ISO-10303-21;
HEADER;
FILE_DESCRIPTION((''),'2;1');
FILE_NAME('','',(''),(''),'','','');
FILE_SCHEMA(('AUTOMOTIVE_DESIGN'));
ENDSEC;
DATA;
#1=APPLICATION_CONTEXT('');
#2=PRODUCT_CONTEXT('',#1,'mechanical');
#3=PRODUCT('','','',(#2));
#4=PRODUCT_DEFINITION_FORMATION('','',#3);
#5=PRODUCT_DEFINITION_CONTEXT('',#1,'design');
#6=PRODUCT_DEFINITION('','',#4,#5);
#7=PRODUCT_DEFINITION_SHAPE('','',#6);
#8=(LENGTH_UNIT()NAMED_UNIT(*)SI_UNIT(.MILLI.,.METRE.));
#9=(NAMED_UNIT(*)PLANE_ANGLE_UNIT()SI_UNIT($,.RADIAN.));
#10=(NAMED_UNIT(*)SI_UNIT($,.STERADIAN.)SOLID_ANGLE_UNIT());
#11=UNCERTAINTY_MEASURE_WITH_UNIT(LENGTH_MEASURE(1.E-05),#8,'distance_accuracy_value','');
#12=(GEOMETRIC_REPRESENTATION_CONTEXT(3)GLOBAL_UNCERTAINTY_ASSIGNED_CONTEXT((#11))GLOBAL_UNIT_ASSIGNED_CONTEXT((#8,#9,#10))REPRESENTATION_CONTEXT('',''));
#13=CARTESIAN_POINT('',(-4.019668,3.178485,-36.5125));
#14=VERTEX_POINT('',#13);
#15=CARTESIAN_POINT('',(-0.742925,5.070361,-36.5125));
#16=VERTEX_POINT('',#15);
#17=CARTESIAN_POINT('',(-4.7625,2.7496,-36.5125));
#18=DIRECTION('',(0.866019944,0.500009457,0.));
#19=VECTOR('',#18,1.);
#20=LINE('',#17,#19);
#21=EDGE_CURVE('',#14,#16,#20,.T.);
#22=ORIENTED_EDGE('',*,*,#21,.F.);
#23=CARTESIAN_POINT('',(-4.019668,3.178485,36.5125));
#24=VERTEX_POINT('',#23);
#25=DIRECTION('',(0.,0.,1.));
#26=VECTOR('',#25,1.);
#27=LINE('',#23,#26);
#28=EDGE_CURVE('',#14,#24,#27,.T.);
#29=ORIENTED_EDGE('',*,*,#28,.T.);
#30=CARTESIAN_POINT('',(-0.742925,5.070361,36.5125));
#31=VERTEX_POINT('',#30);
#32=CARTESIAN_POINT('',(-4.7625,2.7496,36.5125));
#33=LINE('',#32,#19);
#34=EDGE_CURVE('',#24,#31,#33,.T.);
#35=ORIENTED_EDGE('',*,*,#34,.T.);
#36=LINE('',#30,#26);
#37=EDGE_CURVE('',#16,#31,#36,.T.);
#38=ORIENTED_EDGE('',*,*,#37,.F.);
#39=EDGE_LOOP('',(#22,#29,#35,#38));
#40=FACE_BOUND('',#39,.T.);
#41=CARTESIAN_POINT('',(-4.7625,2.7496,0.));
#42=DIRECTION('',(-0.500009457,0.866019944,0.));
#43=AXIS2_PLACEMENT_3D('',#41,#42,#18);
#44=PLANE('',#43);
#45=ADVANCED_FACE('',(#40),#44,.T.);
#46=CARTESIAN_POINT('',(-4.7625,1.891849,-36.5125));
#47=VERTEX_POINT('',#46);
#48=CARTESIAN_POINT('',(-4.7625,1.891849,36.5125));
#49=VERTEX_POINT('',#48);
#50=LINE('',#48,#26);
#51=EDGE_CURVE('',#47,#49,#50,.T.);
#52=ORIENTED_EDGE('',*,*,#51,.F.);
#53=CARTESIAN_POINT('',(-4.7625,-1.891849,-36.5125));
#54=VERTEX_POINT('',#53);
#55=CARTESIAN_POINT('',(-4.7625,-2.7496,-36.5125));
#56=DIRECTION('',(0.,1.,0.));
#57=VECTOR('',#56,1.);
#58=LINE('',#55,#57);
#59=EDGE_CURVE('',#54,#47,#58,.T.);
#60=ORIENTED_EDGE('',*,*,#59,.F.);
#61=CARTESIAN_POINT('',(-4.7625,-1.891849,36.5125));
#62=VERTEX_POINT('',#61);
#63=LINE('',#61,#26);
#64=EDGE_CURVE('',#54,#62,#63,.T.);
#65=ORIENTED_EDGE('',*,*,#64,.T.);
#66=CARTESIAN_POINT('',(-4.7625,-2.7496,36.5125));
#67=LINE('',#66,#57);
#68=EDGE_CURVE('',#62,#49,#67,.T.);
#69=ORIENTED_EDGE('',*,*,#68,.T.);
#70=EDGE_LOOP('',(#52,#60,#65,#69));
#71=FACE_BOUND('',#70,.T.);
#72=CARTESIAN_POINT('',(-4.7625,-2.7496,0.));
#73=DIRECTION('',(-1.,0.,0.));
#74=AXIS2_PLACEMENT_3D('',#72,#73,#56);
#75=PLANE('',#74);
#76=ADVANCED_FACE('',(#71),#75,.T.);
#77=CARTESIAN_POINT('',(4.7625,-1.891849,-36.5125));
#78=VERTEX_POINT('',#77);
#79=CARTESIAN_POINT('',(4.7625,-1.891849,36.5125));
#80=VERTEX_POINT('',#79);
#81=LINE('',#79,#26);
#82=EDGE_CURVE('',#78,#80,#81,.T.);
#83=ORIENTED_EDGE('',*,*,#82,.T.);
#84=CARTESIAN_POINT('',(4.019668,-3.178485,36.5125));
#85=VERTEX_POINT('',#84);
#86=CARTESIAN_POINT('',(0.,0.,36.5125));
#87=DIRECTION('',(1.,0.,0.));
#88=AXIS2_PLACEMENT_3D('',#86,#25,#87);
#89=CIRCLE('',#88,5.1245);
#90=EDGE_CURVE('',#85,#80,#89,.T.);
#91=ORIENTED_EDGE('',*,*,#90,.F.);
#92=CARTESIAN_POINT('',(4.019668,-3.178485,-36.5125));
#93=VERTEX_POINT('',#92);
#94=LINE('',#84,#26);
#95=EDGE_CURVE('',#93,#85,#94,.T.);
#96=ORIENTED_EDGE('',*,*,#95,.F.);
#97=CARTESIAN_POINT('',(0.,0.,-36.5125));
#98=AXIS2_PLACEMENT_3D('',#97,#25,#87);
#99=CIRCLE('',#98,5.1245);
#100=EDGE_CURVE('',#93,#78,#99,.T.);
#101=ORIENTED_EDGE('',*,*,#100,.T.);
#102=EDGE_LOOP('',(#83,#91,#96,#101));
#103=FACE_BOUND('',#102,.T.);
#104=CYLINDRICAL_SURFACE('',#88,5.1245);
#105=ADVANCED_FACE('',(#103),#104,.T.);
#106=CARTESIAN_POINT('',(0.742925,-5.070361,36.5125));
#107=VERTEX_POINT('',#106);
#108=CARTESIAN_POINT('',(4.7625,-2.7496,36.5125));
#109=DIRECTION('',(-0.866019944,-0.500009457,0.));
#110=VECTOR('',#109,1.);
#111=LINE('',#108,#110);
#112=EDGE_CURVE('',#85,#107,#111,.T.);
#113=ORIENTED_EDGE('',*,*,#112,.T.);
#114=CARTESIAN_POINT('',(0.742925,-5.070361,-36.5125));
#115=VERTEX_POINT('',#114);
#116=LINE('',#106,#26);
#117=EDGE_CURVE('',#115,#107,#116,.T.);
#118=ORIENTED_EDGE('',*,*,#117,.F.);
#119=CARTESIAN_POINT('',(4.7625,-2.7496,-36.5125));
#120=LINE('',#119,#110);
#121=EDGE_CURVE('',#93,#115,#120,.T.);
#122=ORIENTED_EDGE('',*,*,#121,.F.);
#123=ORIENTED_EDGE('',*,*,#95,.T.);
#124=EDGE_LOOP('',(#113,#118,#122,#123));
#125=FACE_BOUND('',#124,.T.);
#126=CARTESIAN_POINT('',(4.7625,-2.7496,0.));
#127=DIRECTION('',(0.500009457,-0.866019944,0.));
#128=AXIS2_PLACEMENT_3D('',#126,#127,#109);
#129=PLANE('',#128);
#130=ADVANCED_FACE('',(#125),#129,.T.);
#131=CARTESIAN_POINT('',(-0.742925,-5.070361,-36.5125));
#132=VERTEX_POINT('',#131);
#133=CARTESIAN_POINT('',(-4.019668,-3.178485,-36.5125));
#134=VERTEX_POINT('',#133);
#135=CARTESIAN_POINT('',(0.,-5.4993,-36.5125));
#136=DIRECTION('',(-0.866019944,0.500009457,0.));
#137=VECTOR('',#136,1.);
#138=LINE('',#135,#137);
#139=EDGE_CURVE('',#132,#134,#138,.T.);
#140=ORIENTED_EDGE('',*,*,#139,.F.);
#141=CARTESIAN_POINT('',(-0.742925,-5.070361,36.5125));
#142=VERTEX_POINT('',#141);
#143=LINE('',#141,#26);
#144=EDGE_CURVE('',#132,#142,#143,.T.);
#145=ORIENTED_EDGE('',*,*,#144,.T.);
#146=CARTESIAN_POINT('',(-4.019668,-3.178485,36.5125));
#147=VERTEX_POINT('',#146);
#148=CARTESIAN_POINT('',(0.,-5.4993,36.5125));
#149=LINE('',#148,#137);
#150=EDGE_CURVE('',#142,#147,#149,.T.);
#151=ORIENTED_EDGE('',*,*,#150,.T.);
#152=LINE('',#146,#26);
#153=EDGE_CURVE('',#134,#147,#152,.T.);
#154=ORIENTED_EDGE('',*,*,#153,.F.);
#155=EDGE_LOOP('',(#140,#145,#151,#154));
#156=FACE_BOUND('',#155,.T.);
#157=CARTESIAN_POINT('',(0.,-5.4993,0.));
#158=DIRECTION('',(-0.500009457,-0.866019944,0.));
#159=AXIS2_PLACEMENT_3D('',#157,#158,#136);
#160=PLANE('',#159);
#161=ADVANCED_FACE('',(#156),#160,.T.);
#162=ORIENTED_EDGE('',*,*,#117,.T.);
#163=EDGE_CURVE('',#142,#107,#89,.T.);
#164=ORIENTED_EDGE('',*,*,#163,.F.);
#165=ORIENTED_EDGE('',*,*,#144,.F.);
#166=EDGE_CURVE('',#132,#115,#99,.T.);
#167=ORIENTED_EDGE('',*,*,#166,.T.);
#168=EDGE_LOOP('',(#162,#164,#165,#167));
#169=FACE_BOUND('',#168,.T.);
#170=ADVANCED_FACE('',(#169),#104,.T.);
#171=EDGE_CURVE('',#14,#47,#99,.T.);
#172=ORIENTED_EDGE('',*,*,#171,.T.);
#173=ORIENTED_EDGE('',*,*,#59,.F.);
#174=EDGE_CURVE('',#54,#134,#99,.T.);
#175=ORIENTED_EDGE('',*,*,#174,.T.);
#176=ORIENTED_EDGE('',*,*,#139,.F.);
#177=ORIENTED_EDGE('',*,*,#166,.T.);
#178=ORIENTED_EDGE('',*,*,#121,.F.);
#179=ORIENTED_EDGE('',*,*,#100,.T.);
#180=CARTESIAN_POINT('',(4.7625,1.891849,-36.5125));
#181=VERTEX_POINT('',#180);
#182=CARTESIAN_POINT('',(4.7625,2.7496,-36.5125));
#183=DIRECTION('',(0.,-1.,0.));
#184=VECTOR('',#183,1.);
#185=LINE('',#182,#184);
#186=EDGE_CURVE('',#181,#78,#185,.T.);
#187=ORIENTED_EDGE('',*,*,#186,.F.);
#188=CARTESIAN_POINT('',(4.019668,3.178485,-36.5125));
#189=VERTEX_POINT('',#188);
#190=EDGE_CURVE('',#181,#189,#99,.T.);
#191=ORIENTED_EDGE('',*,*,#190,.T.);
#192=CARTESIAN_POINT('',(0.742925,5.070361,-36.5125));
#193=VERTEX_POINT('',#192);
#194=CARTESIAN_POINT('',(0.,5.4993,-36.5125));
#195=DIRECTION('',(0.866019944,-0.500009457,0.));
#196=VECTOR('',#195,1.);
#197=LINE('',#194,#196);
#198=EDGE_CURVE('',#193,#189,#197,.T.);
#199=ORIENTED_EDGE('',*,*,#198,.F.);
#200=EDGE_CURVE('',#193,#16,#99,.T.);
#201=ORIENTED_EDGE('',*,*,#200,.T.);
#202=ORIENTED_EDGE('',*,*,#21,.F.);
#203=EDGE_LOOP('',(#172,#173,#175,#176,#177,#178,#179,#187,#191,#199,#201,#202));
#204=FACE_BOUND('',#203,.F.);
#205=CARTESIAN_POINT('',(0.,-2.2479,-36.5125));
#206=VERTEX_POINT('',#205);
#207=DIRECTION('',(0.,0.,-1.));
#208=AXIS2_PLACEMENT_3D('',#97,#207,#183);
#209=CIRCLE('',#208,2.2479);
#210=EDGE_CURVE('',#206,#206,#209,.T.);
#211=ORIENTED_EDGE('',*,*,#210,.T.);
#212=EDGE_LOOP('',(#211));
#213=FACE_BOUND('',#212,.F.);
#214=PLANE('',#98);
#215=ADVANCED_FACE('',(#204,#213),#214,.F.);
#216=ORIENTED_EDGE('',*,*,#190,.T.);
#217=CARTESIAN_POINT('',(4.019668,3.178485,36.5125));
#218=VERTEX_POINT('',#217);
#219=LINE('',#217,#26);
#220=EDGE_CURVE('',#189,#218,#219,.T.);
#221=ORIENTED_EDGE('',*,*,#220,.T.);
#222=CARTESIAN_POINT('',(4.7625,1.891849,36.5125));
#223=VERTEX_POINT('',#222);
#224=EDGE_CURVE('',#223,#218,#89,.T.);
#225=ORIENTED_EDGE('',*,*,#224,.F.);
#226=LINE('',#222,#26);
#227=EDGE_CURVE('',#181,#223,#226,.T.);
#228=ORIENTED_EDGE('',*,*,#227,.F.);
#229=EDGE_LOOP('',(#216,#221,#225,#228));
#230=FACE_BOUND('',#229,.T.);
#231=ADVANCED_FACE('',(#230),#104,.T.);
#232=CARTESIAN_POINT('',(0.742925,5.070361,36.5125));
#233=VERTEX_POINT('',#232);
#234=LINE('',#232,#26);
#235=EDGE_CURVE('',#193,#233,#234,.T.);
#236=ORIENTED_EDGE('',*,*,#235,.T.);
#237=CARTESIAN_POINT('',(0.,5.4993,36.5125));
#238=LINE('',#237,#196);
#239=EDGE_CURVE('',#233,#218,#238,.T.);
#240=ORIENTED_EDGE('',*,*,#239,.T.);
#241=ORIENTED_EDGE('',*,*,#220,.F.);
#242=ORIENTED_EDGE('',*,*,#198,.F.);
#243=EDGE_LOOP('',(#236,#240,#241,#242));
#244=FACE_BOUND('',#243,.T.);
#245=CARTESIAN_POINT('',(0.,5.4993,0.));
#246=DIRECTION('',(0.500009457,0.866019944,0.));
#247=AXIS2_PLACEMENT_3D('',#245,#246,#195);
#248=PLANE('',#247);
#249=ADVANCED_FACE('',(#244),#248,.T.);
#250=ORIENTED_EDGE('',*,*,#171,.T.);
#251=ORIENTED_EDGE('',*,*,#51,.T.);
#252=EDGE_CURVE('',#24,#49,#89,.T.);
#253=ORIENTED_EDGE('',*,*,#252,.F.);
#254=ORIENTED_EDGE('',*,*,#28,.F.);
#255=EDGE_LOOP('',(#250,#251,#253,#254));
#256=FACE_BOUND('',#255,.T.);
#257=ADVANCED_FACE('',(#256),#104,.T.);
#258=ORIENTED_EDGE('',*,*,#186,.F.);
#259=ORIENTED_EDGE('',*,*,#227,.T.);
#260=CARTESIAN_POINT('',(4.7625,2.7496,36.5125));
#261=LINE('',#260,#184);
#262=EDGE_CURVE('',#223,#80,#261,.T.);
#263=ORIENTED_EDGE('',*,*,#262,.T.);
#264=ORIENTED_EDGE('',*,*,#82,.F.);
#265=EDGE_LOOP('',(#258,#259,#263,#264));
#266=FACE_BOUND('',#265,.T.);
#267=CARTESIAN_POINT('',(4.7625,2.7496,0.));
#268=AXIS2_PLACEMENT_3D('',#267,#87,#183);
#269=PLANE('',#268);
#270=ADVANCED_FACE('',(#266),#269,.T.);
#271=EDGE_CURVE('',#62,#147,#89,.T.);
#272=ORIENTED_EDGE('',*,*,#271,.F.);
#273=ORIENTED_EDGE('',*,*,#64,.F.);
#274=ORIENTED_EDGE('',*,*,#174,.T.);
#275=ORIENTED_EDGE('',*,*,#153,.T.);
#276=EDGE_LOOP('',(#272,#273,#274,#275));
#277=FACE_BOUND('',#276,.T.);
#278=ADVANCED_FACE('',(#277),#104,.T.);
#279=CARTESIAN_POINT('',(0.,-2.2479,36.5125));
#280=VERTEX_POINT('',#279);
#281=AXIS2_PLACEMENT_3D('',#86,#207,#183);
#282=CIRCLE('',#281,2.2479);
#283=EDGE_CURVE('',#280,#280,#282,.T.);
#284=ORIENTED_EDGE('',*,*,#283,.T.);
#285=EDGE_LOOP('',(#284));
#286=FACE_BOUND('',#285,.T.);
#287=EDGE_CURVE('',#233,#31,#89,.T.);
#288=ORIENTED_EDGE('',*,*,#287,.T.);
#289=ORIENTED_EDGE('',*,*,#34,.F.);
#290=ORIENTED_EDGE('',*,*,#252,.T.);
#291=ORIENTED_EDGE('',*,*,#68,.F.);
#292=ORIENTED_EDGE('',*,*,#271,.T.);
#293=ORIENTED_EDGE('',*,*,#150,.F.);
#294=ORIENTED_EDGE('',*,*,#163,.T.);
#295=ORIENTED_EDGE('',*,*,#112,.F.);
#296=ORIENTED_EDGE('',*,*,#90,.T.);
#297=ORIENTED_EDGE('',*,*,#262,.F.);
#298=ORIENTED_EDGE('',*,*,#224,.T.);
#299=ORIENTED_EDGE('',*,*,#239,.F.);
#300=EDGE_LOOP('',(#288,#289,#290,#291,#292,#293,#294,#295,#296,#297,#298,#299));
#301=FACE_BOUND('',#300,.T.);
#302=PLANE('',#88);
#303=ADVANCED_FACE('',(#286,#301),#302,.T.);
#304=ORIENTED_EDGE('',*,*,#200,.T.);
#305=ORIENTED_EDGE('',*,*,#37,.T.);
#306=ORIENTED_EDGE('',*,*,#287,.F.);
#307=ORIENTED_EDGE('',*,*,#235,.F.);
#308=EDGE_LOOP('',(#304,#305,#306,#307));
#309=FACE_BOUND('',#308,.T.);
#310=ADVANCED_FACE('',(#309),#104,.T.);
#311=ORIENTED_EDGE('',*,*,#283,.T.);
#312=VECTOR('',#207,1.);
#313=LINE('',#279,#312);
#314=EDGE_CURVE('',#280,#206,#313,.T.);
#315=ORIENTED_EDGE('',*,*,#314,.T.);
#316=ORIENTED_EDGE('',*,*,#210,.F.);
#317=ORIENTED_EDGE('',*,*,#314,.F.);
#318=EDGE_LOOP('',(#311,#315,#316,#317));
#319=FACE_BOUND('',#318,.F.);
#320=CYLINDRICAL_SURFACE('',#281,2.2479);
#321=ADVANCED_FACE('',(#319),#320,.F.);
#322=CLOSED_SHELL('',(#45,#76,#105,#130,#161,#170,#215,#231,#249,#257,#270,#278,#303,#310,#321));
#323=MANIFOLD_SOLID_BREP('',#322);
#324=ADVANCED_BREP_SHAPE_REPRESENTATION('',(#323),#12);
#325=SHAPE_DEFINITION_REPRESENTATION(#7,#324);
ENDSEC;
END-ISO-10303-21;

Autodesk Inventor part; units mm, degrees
ref_plane "YZ Plane" through (0, 0, 0) normal (1, 0, 0) x (0, 1, 0)
ref_plane "XZ Plane" through (0, 0, 0) normal (0, 1, 0) x (-1, 0, 0)
ref_plane "XY Plane" through (0, 0, 0) normal (0, 0, 1) x (1, 0, 0)
sketch "Sketch1" plane through (0, 0, 0) normal (0, 0, 1) x (1, 0, 0)
  line L0 (-4.7625, -2.7496) -> (-4.7625, 2.7496)
  line L1 (-4.7625, 2.7496) -> (0, 5.4993)
  line L2 (0, 5.4993) -> (4.7625, 2.7496)
  line L3 (4.7625, 2.7496) -> (4.7625, -2.7496)
  line L4 (4.7625, -2.7496) -> (0, -5.4993)
  line L5 (0, -5.4993) -> (-4.7625, -2.7496)
  point P0 (0, 0)
  point P1 (0, 0)
  dimension "Size" = 9.525
extrude "Extrusion1" add sketch "Sketch1" along normal mid plane 73.025
sketch "Sketch3" plane through (0, 0, 36.5125) normal (0, 0, 1) x (1, 0, 0)
  line L0 (-4.7625, 2.7496) -> (0, 5.4993) construction
  line L1 (0, 5.4993) -> (4.7625, 2.7496) construction
  line L2 (4.7625, 2.7496) -> (4.7625, -2.7496) construction
  line L3 (4.7625, -2.7496) -> (0, -5.4993) construction
  line L4 (0, -5.4993) -> (-4.7625, -2.7496) construction
  line L5 (-4.7625, -2.7496) -> (-4.7625, 2.7496) construction
  point P0 (0, 0)
hole "Hole1" at (0, 0, 36.5125) direction (0, 0, -1) diameter 4.4958 end through all
sketch "Sketch4" plane through (0, 0, 36.5125) normal (0, 0, 1) x (1, 0, 0)
  circle A0 centre (0, 0) radius 2.2479 construction
  line L0 (-4.7625, 2.7496) -> (0, 5.4993) construction
  line L1 (0, 5.4993) -> (4.7625, 2.7496) construction
  line L2 (4.7625, 2.7496) -> (4.7625, -2.7496) construction
  line L3 (4.7625, -2.7496) -> (0, -5.4993) construction
  line L4 (0, -5.4993) -> (-4.7625, -2.7496) construction
  line L5 (-4.7625, -2.7496) -> (-4.7625, 2.7496) construction
  circle A1 centre (0, 0) radius 5.1245
  circle A2 centre (0, 0) radius 8.89
  dimension "thunder" = 10.2489
  dimension "d16" = 17.78
extrude "Extrusion3" cut sketch "Sketch4" against normal through all
equation "\"bearing\" = 25.4"
properties part number "GP1-004" material "Aluminum 6061"
